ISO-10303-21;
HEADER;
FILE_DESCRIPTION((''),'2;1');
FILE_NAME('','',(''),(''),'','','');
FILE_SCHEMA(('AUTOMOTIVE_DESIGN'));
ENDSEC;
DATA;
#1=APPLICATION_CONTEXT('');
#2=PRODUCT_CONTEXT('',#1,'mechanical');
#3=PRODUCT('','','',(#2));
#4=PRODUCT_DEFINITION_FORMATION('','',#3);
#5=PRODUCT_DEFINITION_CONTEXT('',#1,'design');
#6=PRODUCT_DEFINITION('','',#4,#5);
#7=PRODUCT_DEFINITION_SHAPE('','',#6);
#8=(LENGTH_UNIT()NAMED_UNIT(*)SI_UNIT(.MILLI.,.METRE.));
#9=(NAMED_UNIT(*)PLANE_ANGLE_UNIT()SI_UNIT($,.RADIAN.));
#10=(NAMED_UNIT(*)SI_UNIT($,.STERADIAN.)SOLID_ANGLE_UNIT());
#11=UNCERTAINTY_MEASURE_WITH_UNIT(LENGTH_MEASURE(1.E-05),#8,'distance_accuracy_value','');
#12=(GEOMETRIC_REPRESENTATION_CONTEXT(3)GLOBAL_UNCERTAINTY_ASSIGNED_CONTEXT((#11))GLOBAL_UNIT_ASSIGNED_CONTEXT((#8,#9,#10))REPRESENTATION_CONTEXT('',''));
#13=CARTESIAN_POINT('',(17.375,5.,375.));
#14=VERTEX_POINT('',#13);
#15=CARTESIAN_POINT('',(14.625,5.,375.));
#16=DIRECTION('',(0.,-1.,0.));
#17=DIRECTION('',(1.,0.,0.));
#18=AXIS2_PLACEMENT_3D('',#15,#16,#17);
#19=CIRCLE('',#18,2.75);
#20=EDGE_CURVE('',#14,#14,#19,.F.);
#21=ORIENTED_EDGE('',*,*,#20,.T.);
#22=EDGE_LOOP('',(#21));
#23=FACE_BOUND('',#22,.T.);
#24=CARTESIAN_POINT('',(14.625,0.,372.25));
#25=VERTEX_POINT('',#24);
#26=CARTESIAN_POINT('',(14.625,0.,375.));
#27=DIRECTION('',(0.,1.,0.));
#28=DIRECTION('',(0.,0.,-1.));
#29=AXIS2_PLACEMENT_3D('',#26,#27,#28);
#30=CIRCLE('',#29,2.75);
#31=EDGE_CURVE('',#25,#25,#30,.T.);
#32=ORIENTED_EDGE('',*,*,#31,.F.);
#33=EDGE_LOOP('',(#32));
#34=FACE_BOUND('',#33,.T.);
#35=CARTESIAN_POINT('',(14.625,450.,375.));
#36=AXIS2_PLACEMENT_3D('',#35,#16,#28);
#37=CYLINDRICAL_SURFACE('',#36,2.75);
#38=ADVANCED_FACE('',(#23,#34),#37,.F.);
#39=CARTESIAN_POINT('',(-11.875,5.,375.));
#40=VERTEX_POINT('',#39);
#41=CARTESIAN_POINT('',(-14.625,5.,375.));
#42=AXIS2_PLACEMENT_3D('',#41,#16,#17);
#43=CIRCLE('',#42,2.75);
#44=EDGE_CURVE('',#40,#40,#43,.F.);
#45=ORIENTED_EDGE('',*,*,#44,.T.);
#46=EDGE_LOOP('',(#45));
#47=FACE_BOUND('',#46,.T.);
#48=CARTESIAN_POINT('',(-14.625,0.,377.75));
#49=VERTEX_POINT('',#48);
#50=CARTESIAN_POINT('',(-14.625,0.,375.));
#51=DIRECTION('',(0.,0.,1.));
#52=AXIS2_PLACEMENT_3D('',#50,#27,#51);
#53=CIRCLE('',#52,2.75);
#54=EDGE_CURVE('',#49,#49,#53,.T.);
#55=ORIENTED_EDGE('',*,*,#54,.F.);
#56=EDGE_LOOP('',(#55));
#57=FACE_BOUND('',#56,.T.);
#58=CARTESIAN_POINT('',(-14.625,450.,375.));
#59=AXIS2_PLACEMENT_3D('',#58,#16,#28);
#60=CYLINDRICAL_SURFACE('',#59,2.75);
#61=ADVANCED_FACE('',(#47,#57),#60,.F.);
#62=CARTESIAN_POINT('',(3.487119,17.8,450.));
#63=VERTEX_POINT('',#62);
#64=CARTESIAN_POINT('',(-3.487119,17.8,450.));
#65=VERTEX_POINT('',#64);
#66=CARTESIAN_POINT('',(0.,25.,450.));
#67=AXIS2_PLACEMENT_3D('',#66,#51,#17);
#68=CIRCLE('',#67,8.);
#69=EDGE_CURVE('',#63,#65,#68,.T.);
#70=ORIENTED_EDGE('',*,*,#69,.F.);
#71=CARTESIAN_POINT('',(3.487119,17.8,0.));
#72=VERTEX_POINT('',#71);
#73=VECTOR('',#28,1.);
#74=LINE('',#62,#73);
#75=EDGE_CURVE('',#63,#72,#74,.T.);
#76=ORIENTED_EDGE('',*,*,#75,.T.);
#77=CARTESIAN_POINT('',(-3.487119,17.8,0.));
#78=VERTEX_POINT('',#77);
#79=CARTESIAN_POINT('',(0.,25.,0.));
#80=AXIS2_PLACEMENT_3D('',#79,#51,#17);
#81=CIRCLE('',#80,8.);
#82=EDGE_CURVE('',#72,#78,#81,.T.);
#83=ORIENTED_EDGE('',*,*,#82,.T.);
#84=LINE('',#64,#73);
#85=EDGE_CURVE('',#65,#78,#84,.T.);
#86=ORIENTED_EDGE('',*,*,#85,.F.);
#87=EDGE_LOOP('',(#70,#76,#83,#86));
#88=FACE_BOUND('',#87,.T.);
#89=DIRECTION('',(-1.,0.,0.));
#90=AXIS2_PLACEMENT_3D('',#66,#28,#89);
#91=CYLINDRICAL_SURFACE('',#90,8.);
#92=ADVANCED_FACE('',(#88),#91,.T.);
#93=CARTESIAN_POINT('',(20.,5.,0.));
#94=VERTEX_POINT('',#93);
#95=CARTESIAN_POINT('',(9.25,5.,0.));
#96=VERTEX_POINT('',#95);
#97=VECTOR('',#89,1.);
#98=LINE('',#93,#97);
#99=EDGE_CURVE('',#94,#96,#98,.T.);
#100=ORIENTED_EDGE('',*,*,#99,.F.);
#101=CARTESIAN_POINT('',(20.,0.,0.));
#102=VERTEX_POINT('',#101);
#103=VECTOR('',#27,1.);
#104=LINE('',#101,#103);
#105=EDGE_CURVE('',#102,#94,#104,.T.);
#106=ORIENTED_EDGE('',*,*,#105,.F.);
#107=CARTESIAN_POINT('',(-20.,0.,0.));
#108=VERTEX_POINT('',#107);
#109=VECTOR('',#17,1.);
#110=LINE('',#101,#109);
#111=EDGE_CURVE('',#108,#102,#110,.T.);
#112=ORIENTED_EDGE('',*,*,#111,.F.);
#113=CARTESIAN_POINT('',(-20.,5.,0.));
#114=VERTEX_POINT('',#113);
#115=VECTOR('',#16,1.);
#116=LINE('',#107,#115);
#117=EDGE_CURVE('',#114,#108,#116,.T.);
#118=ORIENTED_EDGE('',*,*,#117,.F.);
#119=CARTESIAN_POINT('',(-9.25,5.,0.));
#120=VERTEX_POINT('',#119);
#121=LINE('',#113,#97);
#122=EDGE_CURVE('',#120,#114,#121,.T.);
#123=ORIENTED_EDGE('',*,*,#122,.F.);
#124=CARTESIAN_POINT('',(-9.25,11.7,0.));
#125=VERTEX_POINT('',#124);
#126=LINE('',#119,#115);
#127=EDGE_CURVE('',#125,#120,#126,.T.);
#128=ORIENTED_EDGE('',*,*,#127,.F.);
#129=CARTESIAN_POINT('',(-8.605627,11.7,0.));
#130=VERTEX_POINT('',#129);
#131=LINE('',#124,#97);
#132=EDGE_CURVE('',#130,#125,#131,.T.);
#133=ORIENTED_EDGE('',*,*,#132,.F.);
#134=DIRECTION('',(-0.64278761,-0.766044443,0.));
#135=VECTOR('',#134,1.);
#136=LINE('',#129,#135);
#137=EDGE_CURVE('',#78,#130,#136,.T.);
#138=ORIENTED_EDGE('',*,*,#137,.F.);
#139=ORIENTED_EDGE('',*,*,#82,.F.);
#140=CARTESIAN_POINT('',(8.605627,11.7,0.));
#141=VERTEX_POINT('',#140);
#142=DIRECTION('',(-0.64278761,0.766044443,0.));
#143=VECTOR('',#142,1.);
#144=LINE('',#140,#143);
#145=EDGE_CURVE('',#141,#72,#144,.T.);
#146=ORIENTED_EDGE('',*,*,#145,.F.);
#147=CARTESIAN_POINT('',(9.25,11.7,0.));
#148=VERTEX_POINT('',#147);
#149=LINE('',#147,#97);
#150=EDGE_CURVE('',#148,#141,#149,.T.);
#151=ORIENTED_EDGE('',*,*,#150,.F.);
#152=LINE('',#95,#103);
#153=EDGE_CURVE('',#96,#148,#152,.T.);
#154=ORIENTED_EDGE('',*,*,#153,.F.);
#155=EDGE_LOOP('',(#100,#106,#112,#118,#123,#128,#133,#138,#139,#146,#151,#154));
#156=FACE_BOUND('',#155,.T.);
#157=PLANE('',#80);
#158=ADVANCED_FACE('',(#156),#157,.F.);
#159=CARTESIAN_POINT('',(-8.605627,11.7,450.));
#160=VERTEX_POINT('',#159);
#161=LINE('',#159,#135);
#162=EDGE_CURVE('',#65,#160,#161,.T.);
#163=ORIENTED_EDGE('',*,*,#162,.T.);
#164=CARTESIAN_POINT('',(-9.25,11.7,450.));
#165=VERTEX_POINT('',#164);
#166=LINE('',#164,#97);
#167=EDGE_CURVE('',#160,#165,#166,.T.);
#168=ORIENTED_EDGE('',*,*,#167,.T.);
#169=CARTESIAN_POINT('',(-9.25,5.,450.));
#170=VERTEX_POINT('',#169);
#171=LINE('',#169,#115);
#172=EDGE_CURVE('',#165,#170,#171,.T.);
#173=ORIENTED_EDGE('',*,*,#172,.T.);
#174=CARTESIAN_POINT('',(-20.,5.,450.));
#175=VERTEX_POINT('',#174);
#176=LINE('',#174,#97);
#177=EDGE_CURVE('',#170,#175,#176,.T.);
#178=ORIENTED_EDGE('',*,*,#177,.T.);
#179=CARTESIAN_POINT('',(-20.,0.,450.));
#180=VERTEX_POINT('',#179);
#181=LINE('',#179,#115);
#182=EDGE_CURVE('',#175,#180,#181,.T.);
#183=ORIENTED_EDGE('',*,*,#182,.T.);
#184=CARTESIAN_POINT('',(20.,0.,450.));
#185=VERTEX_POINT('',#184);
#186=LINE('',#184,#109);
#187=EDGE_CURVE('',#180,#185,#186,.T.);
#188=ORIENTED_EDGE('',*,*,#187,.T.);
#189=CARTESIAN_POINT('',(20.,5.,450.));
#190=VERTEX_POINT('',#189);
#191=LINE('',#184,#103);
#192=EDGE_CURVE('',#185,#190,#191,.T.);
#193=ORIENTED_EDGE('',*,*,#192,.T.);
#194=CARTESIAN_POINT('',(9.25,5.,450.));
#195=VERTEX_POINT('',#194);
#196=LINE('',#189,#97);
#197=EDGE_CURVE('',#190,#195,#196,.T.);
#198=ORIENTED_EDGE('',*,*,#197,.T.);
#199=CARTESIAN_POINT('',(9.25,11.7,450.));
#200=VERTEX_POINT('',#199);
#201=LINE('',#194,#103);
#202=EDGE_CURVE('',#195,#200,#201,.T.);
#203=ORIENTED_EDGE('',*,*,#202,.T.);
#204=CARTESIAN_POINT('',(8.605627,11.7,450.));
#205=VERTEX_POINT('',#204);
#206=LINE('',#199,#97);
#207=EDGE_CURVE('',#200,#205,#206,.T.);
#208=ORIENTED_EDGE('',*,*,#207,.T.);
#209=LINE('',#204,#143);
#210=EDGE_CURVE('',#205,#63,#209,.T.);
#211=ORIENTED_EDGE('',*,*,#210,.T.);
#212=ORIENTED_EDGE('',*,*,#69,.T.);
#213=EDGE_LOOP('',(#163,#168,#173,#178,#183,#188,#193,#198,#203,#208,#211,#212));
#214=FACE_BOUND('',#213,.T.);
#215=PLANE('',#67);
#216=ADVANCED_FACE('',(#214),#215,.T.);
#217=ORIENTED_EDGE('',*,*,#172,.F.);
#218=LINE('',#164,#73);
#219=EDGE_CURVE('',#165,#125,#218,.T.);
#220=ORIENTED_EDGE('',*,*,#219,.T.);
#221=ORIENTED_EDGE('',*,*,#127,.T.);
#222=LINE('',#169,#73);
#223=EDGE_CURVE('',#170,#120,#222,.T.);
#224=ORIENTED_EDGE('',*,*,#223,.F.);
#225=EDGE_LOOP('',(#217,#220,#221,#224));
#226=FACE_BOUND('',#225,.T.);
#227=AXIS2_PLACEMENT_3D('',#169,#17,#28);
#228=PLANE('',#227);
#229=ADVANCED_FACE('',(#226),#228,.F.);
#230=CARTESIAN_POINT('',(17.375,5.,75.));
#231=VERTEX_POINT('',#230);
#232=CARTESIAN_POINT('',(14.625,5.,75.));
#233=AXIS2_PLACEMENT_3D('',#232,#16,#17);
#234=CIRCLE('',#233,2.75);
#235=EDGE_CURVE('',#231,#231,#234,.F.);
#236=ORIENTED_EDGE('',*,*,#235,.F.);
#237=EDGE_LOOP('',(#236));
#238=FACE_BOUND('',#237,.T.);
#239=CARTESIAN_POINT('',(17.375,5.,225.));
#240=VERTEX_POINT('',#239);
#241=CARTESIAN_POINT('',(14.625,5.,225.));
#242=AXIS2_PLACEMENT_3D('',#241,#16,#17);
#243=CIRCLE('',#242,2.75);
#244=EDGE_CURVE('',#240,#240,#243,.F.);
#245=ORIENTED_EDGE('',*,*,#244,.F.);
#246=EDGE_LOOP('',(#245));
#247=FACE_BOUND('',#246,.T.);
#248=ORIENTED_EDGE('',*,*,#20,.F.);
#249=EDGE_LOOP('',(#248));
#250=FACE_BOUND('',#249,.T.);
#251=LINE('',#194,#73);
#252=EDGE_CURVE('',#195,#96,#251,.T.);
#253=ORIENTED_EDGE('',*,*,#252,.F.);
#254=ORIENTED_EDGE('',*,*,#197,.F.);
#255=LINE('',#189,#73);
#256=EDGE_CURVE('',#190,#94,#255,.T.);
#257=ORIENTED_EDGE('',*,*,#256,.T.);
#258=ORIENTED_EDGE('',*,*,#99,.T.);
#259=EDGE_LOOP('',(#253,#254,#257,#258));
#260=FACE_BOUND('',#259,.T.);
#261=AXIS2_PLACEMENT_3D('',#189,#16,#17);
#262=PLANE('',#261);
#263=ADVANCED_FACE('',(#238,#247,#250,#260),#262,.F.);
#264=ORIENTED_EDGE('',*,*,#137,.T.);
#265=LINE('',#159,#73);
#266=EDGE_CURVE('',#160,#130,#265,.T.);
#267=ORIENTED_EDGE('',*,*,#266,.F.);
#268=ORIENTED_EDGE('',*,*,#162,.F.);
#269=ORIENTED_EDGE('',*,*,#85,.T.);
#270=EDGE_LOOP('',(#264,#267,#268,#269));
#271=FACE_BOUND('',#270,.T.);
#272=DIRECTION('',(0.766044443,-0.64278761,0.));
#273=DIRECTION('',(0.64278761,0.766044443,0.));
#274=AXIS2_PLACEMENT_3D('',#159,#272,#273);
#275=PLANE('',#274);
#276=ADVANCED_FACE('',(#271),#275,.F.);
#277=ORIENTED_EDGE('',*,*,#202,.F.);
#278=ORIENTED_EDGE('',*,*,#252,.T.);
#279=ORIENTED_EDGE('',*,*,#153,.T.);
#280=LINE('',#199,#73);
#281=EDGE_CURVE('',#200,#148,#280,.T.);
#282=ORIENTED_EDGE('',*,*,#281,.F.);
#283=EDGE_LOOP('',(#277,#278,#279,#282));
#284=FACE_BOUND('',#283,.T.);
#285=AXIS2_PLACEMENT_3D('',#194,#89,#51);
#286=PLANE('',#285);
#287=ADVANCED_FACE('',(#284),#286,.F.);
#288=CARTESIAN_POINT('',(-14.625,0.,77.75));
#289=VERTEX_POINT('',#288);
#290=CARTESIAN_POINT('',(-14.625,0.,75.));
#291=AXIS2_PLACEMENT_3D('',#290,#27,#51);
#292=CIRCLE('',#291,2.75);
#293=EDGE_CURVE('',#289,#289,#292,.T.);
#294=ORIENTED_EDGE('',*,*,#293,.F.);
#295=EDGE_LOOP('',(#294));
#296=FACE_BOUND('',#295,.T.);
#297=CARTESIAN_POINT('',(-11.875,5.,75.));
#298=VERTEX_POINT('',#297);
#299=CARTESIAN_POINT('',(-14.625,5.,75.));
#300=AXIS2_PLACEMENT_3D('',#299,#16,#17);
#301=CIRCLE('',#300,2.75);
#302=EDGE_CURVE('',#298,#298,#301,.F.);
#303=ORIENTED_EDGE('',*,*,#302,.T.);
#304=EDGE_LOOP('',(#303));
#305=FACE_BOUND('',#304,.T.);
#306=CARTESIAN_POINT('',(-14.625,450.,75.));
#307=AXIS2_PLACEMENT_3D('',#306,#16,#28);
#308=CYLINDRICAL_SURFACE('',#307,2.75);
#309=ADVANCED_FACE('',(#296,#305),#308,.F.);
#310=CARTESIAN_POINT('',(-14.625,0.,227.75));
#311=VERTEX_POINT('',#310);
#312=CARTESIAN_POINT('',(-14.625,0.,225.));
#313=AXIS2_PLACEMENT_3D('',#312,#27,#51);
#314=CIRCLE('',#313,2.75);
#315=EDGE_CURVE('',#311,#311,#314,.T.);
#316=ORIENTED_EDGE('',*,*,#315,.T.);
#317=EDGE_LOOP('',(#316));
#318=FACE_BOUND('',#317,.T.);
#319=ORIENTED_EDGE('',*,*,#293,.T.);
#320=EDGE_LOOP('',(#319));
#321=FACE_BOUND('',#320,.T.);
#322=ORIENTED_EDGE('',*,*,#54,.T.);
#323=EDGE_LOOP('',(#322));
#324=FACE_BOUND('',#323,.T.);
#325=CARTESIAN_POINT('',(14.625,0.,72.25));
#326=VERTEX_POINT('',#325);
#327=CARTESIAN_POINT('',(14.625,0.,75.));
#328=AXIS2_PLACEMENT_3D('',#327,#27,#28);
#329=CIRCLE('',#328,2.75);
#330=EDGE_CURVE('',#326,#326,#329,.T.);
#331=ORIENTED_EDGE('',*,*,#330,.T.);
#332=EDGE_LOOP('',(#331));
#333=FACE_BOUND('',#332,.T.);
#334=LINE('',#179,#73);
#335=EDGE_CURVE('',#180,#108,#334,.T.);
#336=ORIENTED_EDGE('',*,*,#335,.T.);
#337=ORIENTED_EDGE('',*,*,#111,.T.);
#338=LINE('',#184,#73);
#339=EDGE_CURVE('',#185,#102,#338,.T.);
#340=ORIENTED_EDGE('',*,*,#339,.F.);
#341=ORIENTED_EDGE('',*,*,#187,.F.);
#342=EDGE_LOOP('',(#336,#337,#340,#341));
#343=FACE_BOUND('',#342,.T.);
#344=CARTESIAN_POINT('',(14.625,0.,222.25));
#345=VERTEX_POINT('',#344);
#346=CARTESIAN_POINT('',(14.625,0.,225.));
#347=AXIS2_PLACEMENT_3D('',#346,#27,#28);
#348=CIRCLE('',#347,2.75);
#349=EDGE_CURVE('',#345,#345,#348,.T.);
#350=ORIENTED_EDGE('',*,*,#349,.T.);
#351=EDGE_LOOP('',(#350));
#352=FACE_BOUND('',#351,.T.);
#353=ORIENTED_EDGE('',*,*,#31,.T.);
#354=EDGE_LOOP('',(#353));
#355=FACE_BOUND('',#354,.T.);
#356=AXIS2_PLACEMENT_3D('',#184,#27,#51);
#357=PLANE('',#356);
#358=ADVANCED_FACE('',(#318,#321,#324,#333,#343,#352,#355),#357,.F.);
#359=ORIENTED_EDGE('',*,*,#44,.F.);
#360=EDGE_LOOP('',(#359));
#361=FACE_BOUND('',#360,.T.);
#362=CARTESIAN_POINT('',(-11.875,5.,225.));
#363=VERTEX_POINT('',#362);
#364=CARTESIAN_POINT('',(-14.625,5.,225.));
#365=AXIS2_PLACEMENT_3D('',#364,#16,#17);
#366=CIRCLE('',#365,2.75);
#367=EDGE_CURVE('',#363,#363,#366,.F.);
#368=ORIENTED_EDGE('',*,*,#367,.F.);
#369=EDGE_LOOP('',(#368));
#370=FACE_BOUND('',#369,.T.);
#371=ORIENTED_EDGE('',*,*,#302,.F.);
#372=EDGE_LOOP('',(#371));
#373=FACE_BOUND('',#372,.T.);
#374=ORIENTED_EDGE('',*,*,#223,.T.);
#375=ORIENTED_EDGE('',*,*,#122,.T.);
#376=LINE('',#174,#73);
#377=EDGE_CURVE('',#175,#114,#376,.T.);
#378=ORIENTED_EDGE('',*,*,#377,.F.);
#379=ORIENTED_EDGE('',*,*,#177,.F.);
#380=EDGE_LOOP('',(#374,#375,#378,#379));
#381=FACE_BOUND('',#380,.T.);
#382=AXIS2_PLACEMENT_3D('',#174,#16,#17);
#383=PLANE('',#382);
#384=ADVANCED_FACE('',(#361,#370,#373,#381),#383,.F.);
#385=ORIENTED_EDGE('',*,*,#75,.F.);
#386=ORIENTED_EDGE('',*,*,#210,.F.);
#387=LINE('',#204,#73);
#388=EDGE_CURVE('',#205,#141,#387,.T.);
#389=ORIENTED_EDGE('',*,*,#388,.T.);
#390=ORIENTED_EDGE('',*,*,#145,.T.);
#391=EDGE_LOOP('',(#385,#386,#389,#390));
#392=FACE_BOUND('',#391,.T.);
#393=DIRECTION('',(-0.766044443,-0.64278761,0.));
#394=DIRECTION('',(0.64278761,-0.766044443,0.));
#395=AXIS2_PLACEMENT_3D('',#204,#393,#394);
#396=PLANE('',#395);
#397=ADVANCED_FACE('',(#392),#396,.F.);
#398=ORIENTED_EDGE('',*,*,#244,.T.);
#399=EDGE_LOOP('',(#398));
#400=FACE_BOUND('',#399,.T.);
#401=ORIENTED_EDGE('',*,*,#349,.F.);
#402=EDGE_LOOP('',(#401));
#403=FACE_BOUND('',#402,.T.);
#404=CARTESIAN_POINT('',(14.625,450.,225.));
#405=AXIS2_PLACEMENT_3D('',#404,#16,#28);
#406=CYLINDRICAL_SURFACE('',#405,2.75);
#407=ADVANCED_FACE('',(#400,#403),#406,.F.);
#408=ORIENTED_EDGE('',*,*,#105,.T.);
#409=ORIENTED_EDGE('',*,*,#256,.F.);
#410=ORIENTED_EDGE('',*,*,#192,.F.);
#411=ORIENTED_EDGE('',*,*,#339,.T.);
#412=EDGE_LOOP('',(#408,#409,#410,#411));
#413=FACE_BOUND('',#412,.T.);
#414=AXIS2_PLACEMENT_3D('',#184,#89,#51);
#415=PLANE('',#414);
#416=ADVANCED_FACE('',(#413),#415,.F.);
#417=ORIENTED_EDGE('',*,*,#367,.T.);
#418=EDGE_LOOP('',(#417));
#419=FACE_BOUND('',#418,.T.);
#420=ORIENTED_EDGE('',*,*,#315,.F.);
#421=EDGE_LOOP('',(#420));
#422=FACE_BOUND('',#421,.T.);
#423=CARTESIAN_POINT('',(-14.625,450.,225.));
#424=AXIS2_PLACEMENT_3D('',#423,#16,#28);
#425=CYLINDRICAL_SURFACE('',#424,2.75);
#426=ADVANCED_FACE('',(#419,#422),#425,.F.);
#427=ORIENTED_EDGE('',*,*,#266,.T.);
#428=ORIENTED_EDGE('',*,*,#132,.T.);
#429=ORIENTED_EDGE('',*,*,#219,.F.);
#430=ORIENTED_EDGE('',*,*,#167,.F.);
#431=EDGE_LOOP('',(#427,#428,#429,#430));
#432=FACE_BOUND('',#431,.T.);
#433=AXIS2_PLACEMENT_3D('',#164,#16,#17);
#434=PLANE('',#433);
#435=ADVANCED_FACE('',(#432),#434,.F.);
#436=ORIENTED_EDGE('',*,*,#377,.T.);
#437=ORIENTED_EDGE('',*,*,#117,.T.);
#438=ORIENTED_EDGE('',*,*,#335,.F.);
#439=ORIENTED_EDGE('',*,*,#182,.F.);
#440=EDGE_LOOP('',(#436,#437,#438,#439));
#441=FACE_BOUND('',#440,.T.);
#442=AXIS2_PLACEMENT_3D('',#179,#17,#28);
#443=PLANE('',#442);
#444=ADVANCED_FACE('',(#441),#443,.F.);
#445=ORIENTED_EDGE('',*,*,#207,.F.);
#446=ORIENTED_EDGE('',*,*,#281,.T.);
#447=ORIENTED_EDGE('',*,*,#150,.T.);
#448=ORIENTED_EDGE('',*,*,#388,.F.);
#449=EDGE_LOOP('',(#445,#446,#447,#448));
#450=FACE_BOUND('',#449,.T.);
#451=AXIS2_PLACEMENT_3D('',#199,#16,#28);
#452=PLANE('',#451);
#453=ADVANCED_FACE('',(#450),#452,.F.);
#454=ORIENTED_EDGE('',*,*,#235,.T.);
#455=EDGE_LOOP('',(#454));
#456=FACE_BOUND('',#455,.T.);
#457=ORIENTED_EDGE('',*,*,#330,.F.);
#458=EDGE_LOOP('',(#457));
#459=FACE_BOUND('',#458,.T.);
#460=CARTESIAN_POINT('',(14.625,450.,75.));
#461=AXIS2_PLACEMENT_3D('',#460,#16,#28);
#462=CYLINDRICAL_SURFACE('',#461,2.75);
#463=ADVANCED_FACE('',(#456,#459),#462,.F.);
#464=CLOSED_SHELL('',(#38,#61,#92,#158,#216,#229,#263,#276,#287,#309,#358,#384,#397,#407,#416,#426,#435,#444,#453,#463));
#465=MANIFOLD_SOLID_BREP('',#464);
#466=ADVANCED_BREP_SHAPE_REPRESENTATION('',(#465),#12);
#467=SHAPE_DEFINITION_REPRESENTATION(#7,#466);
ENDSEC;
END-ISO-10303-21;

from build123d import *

# Parameters (mm, degrees)
BOSS_EXTRUDE1_DEPTH = 450
SKETCH2_R           = 2.75
CUT_EXTRUDE1_DEPTH  = 450


with BuildPart() as part:
    # Sketch1 → Boss-Extrude1 (new body)
    with BuildSketch(Plane.XY):
        with BuildLine():
            Line((20, 0), (-20, 0))
            Line((-20, 0), (-20, 5))
            Line((-20, 5), (-9.25, 5))
            Line((-9.25, 5), (-9.25, 11.7))
            Line((-9.25, 11.7), (-8.605626905, 11.7))
            Line((-8.605626905, 11.7), (-3.487119155, 17.8))
            ThreePointArc((-3.487119155, 17.8), (0, 33), (3.487119155, 17.8))
            Line((3.487119155, 17.8), (8.605626905, 11.7))
            Line((8.605626905, 11.7), (9.25, 11.7))
            Line((9.25, 11.7), (9.25, 5))
            Line((9.25, 5), (20, 5))
            Line((20, 5), (20, 0))
        make_face()
    extrude(amount=BOSS_EXTRUDE1_DEPTH)

    # Sketch2 → Cut-Extrude1 (cut)
    with BuildSketch(Plane(origin=(0, 0, 0), x_dir=(1, 0, 0), z_dir=(0, 1, 0))):
        with Locations((-14.625, -75)):
            Circle(SKETCH2_R)
        with Locations(Location((14.625, -75, 0), (0, 0, 90))):
            Circle(SKETCH2_R)
        with Locations((-14.625, -225)):
            Circle(SKETCH2_R)
        with Locations(Location((14.625, -225, 0), (0, 0, 90))):
            Circle(SKETCH2_R)
        with Locations((-14.625, -375)):
            Circle(SKETCH2_R)
        with Locations(Location((14.625, -375, 0), (0, 0, 90))):
            Circle(SKETCH2_R)
    extrude(amount=CUT_EXTRUDE1_DEPTH, mode=Mode.SUBTRACT)


solid = part.part
